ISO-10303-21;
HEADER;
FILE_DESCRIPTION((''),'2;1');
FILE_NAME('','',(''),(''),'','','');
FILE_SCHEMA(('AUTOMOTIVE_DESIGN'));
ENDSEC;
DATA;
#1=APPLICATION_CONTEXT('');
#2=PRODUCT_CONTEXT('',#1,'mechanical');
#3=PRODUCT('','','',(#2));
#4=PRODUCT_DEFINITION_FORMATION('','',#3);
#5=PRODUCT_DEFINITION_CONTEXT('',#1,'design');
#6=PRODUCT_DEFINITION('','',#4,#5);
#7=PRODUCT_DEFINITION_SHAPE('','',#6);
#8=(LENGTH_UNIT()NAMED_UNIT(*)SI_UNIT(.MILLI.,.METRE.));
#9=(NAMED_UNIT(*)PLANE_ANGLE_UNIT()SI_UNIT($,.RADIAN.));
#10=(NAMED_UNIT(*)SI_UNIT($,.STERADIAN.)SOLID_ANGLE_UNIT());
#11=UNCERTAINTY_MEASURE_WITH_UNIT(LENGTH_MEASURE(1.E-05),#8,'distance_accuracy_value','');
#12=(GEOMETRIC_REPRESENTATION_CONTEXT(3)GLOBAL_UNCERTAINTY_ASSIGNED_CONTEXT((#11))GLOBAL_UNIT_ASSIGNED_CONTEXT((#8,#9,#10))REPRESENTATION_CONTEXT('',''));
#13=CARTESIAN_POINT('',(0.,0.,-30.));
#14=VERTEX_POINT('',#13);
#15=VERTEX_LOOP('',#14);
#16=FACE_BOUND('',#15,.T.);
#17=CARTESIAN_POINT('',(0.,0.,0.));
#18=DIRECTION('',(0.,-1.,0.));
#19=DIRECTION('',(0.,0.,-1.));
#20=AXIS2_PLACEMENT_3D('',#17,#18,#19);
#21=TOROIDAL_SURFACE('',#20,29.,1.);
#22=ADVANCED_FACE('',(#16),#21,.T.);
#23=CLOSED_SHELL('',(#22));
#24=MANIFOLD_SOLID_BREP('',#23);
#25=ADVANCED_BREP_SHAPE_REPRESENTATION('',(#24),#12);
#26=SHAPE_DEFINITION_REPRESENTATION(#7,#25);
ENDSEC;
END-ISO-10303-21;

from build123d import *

# Parameters (mm, degrees)
SKETCH1_R = 1


with BuildPart() as part:
    # Sketch1 → Revolve1 (revolve)
    with BuildSketch(Plane.XY):
        with Locations((-29, 0)):
            Circle(SKETCH1_R)
    revolve(axis=Axis((0, 0, 0), (0, 1, 0)))


solid = part.part
